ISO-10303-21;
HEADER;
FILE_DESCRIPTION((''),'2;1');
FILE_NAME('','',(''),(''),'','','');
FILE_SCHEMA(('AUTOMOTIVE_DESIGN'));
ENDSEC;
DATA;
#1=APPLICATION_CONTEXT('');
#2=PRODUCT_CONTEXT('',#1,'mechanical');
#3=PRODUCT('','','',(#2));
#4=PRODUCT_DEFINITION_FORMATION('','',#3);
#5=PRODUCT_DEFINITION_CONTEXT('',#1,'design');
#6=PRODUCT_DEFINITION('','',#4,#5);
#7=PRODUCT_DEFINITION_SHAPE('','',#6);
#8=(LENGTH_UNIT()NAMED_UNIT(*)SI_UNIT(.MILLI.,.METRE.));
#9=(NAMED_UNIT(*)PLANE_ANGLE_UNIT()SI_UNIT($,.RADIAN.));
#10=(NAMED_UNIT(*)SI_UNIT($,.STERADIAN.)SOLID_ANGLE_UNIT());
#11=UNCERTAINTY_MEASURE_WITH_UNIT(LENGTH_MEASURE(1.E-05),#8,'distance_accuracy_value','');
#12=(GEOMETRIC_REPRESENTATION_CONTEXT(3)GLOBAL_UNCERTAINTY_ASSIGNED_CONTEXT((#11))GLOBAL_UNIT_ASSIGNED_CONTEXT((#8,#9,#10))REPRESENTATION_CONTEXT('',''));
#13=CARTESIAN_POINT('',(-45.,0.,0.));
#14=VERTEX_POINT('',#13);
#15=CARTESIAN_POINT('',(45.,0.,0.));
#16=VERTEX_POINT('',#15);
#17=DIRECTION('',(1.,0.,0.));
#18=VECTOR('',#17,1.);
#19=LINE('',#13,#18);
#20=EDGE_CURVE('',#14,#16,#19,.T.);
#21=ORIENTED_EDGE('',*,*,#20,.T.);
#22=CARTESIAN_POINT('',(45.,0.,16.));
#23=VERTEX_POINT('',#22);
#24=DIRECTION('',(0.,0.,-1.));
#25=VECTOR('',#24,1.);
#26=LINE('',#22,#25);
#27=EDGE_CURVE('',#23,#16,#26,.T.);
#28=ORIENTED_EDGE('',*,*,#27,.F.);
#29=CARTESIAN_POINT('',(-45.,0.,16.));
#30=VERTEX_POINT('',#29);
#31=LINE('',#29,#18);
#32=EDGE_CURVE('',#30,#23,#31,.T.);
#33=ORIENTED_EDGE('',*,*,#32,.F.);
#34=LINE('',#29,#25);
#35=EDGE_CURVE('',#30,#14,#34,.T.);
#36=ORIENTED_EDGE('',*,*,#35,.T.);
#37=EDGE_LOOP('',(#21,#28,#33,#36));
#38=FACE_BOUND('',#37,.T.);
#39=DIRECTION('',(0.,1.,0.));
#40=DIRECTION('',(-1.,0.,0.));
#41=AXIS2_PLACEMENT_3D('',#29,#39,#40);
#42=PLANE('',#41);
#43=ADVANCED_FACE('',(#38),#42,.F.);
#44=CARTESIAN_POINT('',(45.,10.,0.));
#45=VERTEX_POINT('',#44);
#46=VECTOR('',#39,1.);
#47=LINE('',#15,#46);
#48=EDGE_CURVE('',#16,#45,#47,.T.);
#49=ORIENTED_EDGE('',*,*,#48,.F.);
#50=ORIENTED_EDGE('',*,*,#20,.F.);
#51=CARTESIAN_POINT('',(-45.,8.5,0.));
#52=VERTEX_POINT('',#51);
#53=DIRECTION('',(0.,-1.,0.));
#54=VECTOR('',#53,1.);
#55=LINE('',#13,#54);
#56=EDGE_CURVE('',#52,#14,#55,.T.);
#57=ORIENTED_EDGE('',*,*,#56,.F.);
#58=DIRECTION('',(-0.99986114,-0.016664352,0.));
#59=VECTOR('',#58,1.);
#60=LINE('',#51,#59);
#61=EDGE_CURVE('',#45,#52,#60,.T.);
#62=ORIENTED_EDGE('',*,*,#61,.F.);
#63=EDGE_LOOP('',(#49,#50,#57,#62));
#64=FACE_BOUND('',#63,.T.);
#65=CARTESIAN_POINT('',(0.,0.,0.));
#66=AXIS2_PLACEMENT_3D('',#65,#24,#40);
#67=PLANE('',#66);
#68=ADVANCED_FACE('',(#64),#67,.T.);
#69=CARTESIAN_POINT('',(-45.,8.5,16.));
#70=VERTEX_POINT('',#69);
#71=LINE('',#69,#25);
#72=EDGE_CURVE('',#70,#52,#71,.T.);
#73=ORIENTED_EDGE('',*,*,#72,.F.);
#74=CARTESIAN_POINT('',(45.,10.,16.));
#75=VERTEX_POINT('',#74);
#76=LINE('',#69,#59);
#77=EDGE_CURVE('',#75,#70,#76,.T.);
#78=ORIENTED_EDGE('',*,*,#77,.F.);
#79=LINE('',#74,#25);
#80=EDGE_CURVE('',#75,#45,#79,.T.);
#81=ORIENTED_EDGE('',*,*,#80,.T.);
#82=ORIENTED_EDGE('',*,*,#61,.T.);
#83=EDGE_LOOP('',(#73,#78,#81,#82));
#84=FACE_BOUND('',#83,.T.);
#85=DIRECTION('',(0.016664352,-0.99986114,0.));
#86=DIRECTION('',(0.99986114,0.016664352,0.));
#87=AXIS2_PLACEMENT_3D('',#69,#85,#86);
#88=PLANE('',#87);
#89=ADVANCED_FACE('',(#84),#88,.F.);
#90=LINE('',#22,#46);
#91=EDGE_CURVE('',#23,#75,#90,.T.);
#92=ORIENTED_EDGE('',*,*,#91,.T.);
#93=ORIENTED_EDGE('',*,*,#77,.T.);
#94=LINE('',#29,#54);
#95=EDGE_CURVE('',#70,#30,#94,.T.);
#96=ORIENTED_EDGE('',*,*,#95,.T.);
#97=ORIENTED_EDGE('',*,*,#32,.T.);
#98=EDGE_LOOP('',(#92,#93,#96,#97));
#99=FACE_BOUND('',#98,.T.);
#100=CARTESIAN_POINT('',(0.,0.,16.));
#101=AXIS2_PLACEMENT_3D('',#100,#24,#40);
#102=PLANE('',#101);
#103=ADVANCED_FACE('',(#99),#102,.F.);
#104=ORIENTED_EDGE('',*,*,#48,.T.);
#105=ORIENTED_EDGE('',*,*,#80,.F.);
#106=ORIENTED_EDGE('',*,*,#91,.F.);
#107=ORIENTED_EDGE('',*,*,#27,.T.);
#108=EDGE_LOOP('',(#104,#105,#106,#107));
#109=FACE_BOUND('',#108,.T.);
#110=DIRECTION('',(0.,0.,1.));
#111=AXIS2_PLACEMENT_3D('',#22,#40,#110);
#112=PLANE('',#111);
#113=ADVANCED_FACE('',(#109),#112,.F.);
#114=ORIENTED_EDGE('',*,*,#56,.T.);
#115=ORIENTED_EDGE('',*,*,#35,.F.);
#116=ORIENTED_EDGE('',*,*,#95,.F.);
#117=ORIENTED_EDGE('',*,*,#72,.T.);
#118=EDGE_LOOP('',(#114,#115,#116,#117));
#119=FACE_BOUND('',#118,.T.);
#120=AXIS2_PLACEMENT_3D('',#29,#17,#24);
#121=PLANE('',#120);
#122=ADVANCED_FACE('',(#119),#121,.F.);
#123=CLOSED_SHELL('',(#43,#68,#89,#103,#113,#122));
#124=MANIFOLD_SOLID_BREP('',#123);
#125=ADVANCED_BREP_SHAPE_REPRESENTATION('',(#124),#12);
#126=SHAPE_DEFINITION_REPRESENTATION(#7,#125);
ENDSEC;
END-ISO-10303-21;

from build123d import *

# Parameters (mm, degrees)
BOSS_EXTRUDE1_DEPTH = 16


with BuildPart() as part:
    # Sketch2 → Boss-Extrude1 (new body)
    with BuildSketch(Plane.XY):
        Polygon((-45, 0), (45, 0), (45, 10), (-45, 8.5), align=None)
    extrude(amount=BOSS_EXTRUDE1_DEPTH)


solid = part.part
